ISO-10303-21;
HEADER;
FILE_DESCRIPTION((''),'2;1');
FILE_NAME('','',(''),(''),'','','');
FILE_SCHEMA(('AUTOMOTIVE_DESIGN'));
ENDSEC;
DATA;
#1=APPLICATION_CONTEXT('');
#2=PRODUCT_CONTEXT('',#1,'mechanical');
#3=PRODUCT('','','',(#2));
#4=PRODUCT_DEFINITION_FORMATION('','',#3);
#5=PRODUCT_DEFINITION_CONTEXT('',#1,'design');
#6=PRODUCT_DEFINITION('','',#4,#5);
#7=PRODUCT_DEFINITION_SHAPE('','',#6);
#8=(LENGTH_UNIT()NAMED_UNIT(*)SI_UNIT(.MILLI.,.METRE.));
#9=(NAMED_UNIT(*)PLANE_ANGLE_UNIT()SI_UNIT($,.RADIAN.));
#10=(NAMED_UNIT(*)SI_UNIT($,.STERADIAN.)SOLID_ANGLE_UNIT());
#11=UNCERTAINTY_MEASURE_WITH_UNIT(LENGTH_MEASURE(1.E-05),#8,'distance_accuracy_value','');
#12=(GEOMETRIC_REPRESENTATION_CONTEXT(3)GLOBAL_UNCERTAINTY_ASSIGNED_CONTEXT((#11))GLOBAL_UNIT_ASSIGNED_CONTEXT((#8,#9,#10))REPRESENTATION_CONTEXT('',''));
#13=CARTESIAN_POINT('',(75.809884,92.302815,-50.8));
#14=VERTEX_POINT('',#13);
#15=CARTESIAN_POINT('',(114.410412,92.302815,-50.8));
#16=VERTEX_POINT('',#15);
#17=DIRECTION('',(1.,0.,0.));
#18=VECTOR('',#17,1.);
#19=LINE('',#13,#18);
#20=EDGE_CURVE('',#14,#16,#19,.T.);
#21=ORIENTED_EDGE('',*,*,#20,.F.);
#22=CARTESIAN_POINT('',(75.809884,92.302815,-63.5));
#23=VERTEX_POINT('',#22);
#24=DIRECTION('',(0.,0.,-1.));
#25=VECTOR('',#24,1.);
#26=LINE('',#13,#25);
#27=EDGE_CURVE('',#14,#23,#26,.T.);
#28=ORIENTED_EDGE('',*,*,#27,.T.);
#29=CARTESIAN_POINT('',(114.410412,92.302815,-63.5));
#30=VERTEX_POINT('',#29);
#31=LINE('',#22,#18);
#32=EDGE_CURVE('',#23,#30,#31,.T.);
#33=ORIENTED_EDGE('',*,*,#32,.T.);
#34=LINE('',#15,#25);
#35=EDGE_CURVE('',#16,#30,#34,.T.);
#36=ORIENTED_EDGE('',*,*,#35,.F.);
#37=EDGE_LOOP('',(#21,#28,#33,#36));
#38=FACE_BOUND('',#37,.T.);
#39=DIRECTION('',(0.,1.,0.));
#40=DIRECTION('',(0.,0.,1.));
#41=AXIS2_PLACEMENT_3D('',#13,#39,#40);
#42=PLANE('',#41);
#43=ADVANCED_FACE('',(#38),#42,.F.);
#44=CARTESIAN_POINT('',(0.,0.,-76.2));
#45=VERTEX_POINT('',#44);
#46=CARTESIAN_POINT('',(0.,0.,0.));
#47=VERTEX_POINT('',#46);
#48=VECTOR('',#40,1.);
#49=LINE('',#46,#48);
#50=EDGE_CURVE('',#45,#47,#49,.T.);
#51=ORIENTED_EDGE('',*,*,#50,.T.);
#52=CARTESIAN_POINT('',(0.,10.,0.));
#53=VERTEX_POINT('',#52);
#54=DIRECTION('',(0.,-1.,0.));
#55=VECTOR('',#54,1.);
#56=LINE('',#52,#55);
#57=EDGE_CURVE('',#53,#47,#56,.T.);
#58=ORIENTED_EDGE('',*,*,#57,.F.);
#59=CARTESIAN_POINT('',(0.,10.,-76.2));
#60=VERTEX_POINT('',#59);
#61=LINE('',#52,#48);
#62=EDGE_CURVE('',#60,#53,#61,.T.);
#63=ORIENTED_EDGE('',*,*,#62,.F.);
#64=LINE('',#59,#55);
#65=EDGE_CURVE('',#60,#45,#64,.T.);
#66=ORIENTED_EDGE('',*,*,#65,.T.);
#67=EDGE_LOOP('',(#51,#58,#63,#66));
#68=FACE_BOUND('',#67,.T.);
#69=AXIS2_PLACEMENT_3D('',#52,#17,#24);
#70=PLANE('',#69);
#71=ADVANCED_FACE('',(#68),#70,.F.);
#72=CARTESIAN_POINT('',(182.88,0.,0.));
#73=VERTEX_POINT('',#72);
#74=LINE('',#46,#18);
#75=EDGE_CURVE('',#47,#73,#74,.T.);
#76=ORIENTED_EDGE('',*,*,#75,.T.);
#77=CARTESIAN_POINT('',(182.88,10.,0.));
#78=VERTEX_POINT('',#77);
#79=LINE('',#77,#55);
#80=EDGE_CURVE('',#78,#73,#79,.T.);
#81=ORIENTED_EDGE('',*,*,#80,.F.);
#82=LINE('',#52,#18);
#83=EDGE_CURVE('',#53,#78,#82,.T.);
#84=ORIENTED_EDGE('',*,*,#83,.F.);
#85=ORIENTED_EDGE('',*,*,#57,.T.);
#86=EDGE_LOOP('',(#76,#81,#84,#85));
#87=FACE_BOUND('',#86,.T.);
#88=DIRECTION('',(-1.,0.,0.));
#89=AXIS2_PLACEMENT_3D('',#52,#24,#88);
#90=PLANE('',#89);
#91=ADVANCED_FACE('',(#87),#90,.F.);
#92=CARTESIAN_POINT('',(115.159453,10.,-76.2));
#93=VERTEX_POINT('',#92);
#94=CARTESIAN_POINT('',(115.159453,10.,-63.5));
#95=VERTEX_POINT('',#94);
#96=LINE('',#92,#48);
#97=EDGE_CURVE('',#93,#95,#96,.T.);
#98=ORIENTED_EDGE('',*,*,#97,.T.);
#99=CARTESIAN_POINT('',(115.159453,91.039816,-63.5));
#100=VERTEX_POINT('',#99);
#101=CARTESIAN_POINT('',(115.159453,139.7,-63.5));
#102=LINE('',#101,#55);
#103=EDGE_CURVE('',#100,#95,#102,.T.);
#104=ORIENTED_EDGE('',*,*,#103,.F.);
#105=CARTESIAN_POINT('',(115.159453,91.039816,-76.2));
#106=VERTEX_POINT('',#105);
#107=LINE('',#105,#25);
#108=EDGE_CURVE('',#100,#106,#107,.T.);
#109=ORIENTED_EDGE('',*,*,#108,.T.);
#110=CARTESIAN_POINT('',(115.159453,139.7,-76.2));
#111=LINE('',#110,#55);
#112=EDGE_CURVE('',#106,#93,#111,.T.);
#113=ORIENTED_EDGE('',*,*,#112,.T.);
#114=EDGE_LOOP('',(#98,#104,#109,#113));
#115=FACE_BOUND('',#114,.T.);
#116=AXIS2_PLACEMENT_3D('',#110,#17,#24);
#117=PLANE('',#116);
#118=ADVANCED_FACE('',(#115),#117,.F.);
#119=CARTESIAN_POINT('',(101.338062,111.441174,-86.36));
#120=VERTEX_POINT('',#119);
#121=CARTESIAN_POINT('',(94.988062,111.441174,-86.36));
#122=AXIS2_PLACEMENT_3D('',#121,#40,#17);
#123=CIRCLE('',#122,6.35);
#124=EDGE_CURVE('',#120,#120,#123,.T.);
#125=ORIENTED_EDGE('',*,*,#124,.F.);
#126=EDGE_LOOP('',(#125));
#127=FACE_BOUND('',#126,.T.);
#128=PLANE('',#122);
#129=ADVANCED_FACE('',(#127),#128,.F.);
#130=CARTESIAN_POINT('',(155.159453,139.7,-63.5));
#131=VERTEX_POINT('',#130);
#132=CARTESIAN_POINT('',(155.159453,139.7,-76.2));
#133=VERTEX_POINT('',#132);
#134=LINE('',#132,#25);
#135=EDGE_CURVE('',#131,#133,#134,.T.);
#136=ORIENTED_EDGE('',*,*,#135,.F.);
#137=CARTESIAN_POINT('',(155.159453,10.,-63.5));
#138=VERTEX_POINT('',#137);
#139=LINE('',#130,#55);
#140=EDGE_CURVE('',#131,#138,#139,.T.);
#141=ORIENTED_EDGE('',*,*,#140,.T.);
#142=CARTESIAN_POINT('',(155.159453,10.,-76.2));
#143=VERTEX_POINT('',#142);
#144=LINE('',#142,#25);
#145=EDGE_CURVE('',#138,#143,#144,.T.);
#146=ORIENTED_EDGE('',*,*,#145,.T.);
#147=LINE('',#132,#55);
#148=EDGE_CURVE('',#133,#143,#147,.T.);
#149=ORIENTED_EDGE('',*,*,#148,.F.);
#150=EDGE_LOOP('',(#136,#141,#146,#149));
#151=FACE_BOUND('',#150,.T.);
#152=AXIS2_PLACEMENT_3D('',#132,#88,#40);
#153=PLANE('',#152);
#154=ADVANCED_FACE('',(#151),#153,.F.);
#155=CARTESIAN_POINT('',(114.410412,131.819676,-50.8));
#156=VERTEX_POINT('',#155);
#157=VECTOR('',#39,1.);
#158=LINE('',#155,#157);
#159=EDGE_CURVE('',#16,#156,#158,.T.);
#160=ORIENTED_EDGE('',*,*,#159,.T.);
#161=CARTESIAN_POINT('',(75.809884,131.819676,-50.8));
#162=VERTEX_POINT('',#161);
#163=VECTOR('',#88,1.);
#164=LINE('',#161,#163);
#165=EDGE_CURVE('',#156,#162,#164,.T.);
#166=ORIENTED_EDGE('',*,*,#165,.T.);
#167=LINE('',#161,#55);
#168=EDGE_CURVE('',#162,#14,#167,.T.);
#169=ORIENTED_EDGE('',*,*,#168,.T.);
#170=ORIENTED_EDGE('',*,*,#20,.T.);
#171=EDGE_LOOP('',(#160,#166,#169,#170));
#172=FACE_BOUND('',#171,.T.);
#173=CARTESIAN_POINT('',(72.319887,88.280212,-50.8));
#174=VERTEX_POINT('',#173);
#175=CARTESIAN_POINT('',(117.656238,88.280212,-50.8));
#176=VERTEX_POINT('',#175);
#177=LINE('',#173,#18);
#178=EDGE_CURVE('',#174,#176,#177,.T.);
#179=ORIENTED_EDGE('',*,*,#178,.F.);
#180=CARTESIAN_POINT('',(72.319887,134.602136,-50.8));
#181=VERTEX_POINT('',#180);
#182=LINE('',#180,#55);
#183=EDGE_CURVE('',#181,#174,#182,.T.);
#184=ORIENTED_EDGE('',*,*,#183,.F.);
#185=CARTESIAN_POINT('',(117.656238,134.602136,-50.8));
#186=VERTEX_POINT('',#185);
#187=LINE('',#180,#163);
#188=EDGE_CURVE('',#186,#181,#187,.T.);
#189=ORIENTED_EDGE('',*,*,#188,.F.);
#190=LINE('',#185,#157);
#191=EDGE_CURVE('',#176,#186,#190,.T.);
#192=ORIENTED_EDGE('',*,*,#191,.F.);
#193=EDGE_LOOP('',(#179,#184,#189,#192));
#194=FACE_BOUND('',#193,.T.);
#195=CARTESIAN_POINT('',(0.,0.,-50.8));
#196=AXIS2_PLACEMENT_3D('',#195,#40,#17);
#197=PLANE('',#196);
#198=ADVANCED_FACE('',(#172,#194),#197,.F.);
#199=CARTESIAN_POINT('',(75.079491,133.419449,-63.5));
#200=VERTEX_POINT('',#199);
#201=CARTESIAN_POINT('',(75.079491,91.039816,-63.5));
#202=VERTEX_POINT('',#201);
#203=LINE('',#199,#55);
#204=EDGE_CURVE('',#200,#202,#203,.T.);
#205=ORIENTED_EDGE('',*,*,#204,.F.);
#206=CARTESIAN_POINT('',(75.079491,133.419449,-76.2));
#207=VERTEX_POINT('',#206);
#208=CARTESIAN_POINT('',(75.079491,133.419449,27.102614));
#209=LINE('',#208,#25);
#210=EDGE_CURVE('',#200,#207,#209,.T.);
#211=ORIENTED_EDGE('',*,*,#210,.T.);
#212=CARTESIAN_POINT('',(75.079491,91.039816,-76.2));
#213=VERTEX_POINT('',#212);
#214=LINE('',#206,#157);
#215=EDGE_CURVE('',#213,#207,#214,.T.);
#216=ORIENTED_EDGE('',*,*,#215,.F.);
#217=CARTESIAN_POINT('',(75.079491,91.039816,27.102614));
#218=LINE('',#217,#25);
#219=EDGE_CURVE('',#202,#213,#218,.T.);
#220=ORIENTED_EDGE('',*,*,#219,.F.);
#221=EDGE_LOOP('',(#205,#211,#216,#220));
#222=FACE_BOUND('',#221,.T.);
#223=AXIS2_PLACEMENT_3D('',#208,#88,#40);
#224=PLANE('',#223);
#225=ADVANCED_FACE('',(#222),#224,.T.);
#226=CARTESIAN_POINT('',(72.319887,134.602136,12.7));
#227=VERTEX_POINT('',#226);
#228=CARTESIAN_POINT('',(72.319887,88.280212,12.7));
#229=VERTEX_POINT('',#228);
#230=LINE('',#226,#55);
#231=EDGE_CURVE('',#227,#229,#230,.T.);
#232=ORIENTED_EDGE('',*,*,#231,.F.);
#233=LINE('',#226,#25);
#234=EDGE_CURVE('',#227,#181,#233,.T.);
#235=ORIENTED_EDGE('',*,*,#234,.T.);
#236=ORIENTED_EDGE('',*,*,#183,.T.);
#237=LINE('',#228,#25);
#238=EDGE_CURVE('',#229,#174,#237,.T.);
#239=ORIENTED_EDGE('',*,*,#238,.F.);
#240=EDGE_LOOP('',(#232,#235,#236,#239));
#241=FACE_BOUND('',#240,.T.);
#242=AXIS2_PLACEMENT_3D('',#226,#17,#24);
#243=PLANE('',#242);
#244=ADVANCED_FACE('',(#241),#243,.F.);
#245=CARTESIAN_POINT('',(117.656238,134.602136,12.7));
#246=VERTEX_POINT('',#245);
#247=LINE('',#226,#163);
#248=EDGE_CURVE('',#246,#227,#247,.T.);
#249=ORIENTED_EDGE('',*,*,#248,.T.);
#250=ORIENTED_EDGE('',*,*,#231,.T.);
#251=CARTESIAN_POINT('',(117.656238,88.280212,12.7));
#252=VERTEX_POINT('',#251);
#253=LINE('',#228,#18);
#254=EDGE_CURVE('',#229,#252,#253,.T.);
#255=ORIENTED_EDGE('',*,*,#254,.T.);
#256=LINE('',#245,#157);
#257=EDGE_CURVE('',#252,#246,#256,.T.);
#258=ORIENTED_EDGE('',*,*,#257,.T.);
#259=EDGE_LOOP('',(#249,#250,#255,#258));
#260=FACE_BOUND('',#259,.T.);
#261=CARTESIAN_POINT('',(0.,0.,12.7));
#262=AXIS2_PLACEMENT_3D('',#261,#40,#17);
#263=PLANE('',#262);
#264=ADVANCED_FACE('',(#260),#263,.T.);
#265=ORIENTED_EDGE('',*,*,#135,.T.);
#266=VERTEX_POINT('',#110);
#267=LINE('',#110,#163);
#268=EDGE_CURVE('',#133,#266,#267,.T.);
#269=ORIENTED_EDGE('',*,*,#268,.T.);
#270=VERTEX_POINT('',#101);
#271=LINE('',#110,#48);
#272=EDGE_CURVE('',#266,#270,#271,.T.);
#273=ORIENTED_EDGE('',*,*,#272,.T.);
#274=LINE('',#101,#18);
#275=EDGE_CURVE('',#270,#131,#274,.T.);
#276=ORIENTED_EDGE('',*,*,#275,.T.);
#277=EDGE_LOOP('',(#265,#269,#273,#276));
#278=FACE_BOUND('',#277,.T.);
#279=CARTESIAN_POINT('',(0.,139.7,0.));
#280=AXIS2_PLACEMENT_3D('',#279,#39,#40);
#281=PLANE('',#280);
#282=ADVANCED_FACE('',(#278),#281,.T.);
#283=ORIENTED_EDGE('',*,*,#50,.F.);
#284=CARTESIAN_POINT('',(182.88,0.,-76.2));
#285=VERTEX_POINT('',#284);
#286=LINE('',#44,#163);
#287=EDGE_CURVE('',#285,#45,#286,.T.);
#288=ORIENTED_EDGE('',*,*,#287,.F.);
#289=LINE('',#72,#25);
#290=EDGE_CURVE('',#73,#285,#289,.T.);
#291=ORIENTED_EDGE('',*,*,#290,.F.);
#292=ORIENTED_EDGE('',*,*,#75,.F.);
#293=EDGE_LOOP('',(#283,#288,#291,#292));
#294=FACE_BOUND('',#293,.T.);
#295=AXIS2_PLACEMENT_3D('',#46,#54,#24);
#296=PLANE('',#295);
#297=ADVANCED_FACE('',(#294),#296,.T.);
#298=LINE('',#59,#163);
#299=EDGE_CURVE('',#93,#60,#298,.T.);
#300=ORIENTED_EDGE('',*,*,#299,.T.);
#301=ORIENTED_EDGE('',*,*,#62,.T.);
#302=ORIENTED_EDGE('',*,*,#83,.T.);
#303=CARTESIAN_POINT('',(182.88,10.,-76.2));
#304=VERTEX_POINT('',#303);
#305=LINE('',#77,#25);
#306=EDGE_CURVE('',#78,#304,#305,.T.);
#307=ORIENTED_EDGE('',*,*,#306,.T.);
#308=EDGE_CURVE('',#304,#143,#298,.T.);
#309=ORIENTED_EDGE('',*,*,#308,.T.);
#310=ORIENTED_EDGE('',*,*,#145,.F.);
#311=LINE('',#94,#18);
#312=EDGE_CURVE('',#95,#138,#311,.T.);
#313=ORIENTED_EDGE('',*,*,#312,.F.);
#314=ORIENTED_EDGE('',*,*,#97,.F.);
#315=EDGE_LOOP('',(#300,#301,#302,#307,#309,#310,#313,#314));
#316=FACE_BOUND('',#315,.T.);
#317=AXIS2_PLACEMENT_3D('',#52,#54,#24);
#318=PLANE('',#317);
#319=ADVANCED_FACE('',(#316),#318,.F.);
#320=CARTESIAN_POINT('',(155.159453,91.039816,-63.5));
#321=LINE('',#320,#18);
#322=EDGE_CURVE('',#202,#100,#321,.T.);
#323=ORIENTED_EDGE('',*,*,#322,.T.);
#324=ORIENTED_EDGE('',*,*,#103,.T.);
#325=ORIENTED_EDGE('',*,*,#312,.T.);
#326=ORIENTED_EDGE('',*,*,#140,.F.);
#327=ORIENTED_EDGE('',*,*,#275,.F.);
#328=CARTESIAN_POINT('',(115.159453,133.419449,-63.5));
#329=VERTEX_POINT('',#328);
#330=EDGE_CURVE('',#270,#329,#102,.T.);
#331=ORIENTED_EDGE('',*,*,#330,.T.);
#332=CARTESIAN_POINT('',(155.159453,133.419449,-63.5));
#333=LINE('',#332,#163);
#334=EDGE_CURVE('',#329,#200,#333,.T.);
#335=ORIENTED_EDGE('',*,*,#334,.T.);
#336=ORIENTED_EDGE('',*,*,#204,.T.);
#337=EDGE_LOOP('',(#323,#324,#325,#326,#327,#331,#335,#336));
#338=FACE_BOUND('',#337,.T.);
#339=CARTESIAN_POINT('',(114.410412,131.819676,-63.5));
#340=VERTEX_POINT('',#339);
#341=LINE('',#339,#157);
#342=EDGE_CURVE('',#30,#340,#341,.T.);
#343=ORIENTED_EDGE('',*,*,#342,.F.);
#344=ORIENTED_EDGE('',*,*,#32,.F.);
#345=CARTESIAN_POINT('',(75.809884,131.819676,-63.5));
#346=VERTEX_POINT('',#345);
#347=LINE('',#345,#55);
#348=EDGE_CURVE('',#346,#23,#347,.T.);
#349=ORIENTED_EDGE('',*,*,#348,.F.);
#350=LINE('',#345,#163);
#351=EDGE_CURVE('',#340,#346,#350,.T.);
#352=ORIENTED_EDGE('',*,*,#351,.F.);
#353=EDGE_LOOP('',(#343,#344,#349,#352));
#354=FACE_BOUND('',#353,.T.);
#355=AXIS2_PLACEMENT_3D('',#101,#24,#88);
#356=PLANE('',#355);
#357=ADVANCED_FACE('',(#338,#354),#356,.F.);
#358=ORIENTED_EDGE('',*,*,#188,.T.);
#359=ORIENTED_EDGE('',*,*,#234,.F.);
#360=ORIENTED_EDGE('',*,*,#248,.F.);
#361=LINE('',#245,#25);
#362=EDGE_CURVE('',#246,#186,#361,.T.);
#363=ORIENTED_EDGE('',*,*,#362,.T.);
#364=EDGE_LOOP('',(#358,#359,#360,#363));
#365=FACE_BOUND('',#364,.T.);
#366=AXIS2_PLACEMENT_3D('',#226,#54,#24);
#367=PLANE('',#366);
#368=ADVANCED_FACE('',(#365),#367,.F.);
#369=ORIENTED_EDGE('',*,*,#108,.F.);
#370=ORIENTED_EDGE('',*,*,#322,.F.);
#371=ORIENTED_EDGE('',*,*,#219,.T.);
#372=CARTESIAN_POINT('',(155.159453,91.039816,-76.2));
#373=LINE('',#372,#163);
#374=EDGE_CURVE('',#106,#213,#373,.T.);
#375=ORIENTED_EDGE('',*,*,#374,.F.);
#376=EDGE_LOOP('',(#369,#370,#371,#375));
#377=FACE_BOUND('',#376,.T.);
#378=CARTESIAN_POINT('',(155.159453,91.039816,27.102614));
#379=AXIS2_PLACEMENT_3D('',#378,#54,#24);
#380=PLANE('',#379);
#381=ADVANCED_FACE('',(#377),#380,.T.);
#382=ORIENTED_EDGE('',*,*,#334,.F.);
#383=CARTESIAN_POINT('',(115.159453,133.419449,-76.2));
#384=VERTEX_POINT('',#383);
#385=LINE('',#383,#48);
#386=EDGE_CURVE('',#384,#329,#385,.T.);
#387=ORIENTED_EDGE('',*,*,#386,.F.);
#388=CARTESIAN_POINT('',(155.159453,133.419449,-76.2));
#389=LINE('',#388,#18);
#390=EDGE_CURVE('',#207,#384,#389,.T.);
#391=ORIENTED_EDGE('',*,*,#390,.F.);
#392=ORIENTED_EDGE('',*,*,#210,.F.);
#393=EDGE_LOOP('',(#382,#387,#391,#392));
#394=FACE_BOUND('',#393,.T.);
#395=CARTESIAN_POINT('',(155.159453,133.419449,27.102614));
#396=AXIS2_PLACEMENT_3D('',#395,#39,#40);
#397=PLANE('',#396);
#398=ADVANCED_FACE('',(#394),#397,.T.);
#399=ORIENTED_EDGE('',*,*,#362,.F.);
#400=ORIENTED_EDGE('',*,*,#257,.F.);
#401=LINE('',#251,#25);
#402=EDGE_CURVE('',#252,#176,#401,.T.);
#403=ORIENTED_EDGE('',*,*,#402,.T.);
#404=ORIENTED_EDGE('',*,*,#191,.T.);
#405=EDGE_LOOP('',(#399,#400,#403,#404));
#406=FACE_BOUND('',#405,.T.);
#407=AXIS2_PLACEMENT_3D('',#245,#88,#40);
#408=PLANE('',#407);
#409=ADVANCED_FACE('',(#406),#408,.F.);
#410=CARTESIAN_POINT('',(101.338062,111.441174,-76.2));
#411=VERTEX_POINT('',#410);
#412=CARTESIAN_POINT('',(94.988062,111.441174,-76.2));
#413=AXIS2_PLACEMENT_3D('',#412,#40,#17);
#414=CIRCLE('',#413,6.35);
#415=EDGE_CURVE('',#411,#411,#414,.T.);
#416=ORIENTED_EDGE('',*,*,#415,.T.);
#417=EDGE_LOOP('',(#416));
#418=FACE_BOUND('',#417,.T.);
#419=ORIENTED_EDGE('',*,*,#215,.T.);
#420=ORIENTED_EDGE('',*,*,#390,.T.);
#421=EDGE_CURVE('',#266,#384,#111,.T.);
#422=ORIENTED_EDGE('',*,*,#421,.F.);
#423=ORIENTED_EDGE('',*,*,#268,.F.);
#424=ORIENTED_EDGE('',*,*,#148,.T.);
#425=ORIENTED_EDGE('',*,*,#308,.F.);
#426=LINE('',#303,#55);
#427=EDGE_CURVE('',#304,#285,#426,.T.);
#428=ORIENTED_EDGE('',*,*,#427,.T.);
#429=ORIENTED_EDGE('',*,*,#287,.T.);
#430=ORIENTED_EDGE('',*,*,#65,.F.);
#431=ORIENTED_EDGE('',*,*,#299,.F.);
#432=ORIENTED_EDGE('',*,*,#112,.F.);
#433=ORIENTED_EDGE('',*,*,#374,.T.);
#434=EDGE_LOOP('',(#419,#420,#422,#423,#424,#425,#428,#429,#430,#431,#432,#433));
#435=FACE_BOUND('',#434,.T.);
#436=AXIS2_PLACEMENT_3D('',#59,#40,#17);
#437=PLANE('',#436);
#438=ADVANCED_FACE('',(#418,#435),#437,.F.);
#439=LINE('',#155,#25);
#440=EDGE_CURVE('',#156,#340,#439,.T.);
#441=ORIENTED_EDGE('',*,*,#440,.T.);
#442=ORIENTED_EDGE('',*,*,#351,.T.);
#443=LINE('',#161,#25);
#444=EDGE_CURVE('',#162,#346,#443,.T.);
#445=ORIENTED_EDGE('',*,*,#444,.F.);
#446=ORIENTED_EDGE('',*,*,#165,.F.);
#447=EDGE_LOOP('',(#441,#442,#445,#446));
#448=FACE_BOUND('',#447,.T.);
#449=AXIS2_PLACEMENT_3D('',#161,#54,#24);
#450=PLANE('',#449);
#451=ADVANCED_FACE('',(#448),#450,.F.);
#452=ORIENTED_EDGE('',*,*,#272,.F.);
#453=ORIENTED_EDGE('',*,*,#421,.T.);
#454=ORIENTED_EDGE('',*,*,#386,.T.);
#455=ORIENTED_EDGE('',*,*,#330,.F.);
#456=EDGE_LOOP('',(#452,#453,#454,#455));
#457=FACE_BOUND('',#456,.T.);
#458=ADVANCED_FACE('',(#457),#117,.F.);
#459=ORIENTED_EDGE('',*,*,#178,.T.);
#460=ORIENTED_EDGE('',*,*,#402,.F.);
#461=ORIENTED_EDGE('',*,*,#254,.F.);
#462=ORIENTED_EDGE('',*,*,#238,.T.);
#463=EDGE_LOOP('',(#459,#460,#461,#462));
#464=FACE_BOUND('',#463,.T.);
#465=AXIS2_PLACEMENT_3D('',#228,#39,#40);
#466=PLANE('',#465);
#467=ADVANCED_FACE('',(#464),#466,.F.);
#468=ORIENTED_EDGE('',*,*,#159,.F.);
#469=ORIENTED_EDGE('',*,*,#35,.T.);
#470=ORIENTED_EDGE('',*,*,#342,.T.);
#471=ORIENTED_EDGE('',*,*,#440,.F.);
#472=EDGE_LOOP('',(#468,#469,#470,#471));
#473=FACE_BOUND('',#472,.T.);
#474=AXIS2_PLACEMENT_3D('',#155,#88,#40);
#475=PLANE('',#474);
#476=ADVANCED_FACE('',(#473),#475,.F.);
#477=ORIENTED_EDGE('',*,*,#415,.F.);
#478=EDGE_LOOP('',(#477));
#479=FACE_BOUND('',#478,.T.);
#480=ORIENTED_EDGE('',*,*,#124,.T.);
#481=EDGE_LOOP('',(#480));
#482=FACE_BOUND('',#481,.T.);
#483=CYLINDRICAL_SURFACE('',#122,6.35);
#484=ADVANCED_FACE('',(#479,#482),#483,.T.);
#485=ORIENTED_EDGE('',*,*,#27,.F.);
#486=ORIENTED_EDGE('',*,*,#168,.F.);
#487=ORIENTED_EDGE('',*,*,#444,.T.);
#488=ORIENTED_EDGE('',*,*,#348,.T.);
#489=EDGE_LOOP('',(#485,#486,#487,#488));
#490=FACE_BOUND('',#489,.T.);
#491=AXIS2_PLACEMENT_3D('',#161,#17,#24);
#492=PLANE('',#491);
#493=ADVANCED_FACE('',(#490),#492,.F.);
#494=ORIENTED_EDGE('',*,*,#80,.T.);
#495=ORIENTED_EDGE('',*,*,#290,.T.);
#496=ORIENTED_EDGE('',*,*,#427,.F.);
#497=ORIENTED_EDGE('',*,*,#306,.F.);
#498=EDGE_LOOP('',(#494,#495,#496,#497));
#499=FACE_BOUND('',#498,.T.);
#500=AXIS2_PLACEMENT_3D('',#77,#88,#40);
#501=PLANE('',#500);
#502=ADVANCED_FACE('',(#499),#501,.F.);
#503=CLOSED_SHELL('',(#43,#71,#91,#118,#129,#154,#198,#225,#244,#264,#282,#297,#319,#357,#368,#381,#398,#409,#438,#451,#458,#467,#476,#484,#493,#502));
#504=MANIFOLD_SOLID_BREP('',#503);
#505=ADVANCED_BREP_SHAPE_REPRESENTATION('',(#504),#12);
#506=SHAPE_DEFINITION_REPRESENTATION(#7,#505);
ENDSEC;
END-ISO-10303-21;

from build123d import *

# Parameters (mm, degrees)
SKETCH1_W           = 182.88
SKETCH1_H           = 76.2
BOSS_EXTRUDE1_DEPTH = 10
SKETCH2_W           = 40
SKETCH2_H           = 12.7
BOSS_EXTRUDE2_DEPTH = 129.7
SKETCH3_W           = 80.079962719
SKETCH3_H           = 42.379632712
BOSS_EXTRUDE3_DEPTH = 12.7
SKETCH4_W           = 38.600527556
SKETCH4_H           = 39.516860555
BOSS_EXTRUDE4_DEPTH = 12.7
SKETCH6_W           = 45.336351273
SKETCH6_H           = 46.321924127
BOSS_EXTRUDE5_DEPTH = 63.5
SKETCH7_R           = 6.35
BOSS_EXTRUDE6_DEPTH = 99.06


with BuildPart() as part:
    # Sketch1 → Boss-Extrude1 (new body)
    with BuildSketch(Plane(origin=(0, 0, 0), x_dir=(1, 0, 0), z_dir=(0, 1, 0))):
        with Locations((91.44, 38.1)):
            Rectangle(SKETCH1_W, SKETCH1_H)
    extrude(amount=BOSS_EXTRUDE1_DEPTH)

    # Sketch2 → Boss-Extrude2 (add)
    with BuildSketch(Plane(origin=(0, 10, 0), x_dir=(1, 0, 0), z_dir=(0, 1, 0))):
        with Locations((135.159453347, 69.85)):
            Rectangle(SKETCH2_W, SKETCH2_H)
    extrude(amount=BOSS_EXTRUDE2_DEPTH)

    # Sketch3 → Boss-Extrude3 (add)
    with BuildSketch(Plane(origin=(0, 0, -76.2), x_dir=(-1, 0, 0), z_dir=(0, 0, -1))):
        with Locations((-115.119471988, 112.229632712)):
            Rectangle(SKETCH3_W, SKETCH3_H)
    extrude(amount=-BOSS_EXTRUDE3_DEPTH)

    # Sketch4 → Boss-Extrude4 (add)
    with BuildSketch(Plane.XY.offset(-63.5)):
        with Locations((95.110147759, 112.061245717)):
            Rectangle(SKETCH4_W, SKETCH4_H)
    extrude(amount=BOSS_EXTRUDE4_DEPTH)

    # Sketch6 → Boss-Extrude5 (add)
    with BuildSketch(Plane.XY.offset(-50.8)):
        with Locations((94.988062274, 111.441174429)):
            Rectangle(SKETCH6_W, SKETCH6_H)
    extrude(amount=BOSS_EXTRUDE5_DEPTH)

    # Sketch7 → Boss-Extrude6 (add)
    with BuildSketch(Plane.XY.offset(12.7)):
        with Locations((94.988062274, 111.441174429)):
            Circle(SKETCH7_R)
    extrude(amount=-BOSS_EXTRUDE6_DEPTH)


solid = part.part
